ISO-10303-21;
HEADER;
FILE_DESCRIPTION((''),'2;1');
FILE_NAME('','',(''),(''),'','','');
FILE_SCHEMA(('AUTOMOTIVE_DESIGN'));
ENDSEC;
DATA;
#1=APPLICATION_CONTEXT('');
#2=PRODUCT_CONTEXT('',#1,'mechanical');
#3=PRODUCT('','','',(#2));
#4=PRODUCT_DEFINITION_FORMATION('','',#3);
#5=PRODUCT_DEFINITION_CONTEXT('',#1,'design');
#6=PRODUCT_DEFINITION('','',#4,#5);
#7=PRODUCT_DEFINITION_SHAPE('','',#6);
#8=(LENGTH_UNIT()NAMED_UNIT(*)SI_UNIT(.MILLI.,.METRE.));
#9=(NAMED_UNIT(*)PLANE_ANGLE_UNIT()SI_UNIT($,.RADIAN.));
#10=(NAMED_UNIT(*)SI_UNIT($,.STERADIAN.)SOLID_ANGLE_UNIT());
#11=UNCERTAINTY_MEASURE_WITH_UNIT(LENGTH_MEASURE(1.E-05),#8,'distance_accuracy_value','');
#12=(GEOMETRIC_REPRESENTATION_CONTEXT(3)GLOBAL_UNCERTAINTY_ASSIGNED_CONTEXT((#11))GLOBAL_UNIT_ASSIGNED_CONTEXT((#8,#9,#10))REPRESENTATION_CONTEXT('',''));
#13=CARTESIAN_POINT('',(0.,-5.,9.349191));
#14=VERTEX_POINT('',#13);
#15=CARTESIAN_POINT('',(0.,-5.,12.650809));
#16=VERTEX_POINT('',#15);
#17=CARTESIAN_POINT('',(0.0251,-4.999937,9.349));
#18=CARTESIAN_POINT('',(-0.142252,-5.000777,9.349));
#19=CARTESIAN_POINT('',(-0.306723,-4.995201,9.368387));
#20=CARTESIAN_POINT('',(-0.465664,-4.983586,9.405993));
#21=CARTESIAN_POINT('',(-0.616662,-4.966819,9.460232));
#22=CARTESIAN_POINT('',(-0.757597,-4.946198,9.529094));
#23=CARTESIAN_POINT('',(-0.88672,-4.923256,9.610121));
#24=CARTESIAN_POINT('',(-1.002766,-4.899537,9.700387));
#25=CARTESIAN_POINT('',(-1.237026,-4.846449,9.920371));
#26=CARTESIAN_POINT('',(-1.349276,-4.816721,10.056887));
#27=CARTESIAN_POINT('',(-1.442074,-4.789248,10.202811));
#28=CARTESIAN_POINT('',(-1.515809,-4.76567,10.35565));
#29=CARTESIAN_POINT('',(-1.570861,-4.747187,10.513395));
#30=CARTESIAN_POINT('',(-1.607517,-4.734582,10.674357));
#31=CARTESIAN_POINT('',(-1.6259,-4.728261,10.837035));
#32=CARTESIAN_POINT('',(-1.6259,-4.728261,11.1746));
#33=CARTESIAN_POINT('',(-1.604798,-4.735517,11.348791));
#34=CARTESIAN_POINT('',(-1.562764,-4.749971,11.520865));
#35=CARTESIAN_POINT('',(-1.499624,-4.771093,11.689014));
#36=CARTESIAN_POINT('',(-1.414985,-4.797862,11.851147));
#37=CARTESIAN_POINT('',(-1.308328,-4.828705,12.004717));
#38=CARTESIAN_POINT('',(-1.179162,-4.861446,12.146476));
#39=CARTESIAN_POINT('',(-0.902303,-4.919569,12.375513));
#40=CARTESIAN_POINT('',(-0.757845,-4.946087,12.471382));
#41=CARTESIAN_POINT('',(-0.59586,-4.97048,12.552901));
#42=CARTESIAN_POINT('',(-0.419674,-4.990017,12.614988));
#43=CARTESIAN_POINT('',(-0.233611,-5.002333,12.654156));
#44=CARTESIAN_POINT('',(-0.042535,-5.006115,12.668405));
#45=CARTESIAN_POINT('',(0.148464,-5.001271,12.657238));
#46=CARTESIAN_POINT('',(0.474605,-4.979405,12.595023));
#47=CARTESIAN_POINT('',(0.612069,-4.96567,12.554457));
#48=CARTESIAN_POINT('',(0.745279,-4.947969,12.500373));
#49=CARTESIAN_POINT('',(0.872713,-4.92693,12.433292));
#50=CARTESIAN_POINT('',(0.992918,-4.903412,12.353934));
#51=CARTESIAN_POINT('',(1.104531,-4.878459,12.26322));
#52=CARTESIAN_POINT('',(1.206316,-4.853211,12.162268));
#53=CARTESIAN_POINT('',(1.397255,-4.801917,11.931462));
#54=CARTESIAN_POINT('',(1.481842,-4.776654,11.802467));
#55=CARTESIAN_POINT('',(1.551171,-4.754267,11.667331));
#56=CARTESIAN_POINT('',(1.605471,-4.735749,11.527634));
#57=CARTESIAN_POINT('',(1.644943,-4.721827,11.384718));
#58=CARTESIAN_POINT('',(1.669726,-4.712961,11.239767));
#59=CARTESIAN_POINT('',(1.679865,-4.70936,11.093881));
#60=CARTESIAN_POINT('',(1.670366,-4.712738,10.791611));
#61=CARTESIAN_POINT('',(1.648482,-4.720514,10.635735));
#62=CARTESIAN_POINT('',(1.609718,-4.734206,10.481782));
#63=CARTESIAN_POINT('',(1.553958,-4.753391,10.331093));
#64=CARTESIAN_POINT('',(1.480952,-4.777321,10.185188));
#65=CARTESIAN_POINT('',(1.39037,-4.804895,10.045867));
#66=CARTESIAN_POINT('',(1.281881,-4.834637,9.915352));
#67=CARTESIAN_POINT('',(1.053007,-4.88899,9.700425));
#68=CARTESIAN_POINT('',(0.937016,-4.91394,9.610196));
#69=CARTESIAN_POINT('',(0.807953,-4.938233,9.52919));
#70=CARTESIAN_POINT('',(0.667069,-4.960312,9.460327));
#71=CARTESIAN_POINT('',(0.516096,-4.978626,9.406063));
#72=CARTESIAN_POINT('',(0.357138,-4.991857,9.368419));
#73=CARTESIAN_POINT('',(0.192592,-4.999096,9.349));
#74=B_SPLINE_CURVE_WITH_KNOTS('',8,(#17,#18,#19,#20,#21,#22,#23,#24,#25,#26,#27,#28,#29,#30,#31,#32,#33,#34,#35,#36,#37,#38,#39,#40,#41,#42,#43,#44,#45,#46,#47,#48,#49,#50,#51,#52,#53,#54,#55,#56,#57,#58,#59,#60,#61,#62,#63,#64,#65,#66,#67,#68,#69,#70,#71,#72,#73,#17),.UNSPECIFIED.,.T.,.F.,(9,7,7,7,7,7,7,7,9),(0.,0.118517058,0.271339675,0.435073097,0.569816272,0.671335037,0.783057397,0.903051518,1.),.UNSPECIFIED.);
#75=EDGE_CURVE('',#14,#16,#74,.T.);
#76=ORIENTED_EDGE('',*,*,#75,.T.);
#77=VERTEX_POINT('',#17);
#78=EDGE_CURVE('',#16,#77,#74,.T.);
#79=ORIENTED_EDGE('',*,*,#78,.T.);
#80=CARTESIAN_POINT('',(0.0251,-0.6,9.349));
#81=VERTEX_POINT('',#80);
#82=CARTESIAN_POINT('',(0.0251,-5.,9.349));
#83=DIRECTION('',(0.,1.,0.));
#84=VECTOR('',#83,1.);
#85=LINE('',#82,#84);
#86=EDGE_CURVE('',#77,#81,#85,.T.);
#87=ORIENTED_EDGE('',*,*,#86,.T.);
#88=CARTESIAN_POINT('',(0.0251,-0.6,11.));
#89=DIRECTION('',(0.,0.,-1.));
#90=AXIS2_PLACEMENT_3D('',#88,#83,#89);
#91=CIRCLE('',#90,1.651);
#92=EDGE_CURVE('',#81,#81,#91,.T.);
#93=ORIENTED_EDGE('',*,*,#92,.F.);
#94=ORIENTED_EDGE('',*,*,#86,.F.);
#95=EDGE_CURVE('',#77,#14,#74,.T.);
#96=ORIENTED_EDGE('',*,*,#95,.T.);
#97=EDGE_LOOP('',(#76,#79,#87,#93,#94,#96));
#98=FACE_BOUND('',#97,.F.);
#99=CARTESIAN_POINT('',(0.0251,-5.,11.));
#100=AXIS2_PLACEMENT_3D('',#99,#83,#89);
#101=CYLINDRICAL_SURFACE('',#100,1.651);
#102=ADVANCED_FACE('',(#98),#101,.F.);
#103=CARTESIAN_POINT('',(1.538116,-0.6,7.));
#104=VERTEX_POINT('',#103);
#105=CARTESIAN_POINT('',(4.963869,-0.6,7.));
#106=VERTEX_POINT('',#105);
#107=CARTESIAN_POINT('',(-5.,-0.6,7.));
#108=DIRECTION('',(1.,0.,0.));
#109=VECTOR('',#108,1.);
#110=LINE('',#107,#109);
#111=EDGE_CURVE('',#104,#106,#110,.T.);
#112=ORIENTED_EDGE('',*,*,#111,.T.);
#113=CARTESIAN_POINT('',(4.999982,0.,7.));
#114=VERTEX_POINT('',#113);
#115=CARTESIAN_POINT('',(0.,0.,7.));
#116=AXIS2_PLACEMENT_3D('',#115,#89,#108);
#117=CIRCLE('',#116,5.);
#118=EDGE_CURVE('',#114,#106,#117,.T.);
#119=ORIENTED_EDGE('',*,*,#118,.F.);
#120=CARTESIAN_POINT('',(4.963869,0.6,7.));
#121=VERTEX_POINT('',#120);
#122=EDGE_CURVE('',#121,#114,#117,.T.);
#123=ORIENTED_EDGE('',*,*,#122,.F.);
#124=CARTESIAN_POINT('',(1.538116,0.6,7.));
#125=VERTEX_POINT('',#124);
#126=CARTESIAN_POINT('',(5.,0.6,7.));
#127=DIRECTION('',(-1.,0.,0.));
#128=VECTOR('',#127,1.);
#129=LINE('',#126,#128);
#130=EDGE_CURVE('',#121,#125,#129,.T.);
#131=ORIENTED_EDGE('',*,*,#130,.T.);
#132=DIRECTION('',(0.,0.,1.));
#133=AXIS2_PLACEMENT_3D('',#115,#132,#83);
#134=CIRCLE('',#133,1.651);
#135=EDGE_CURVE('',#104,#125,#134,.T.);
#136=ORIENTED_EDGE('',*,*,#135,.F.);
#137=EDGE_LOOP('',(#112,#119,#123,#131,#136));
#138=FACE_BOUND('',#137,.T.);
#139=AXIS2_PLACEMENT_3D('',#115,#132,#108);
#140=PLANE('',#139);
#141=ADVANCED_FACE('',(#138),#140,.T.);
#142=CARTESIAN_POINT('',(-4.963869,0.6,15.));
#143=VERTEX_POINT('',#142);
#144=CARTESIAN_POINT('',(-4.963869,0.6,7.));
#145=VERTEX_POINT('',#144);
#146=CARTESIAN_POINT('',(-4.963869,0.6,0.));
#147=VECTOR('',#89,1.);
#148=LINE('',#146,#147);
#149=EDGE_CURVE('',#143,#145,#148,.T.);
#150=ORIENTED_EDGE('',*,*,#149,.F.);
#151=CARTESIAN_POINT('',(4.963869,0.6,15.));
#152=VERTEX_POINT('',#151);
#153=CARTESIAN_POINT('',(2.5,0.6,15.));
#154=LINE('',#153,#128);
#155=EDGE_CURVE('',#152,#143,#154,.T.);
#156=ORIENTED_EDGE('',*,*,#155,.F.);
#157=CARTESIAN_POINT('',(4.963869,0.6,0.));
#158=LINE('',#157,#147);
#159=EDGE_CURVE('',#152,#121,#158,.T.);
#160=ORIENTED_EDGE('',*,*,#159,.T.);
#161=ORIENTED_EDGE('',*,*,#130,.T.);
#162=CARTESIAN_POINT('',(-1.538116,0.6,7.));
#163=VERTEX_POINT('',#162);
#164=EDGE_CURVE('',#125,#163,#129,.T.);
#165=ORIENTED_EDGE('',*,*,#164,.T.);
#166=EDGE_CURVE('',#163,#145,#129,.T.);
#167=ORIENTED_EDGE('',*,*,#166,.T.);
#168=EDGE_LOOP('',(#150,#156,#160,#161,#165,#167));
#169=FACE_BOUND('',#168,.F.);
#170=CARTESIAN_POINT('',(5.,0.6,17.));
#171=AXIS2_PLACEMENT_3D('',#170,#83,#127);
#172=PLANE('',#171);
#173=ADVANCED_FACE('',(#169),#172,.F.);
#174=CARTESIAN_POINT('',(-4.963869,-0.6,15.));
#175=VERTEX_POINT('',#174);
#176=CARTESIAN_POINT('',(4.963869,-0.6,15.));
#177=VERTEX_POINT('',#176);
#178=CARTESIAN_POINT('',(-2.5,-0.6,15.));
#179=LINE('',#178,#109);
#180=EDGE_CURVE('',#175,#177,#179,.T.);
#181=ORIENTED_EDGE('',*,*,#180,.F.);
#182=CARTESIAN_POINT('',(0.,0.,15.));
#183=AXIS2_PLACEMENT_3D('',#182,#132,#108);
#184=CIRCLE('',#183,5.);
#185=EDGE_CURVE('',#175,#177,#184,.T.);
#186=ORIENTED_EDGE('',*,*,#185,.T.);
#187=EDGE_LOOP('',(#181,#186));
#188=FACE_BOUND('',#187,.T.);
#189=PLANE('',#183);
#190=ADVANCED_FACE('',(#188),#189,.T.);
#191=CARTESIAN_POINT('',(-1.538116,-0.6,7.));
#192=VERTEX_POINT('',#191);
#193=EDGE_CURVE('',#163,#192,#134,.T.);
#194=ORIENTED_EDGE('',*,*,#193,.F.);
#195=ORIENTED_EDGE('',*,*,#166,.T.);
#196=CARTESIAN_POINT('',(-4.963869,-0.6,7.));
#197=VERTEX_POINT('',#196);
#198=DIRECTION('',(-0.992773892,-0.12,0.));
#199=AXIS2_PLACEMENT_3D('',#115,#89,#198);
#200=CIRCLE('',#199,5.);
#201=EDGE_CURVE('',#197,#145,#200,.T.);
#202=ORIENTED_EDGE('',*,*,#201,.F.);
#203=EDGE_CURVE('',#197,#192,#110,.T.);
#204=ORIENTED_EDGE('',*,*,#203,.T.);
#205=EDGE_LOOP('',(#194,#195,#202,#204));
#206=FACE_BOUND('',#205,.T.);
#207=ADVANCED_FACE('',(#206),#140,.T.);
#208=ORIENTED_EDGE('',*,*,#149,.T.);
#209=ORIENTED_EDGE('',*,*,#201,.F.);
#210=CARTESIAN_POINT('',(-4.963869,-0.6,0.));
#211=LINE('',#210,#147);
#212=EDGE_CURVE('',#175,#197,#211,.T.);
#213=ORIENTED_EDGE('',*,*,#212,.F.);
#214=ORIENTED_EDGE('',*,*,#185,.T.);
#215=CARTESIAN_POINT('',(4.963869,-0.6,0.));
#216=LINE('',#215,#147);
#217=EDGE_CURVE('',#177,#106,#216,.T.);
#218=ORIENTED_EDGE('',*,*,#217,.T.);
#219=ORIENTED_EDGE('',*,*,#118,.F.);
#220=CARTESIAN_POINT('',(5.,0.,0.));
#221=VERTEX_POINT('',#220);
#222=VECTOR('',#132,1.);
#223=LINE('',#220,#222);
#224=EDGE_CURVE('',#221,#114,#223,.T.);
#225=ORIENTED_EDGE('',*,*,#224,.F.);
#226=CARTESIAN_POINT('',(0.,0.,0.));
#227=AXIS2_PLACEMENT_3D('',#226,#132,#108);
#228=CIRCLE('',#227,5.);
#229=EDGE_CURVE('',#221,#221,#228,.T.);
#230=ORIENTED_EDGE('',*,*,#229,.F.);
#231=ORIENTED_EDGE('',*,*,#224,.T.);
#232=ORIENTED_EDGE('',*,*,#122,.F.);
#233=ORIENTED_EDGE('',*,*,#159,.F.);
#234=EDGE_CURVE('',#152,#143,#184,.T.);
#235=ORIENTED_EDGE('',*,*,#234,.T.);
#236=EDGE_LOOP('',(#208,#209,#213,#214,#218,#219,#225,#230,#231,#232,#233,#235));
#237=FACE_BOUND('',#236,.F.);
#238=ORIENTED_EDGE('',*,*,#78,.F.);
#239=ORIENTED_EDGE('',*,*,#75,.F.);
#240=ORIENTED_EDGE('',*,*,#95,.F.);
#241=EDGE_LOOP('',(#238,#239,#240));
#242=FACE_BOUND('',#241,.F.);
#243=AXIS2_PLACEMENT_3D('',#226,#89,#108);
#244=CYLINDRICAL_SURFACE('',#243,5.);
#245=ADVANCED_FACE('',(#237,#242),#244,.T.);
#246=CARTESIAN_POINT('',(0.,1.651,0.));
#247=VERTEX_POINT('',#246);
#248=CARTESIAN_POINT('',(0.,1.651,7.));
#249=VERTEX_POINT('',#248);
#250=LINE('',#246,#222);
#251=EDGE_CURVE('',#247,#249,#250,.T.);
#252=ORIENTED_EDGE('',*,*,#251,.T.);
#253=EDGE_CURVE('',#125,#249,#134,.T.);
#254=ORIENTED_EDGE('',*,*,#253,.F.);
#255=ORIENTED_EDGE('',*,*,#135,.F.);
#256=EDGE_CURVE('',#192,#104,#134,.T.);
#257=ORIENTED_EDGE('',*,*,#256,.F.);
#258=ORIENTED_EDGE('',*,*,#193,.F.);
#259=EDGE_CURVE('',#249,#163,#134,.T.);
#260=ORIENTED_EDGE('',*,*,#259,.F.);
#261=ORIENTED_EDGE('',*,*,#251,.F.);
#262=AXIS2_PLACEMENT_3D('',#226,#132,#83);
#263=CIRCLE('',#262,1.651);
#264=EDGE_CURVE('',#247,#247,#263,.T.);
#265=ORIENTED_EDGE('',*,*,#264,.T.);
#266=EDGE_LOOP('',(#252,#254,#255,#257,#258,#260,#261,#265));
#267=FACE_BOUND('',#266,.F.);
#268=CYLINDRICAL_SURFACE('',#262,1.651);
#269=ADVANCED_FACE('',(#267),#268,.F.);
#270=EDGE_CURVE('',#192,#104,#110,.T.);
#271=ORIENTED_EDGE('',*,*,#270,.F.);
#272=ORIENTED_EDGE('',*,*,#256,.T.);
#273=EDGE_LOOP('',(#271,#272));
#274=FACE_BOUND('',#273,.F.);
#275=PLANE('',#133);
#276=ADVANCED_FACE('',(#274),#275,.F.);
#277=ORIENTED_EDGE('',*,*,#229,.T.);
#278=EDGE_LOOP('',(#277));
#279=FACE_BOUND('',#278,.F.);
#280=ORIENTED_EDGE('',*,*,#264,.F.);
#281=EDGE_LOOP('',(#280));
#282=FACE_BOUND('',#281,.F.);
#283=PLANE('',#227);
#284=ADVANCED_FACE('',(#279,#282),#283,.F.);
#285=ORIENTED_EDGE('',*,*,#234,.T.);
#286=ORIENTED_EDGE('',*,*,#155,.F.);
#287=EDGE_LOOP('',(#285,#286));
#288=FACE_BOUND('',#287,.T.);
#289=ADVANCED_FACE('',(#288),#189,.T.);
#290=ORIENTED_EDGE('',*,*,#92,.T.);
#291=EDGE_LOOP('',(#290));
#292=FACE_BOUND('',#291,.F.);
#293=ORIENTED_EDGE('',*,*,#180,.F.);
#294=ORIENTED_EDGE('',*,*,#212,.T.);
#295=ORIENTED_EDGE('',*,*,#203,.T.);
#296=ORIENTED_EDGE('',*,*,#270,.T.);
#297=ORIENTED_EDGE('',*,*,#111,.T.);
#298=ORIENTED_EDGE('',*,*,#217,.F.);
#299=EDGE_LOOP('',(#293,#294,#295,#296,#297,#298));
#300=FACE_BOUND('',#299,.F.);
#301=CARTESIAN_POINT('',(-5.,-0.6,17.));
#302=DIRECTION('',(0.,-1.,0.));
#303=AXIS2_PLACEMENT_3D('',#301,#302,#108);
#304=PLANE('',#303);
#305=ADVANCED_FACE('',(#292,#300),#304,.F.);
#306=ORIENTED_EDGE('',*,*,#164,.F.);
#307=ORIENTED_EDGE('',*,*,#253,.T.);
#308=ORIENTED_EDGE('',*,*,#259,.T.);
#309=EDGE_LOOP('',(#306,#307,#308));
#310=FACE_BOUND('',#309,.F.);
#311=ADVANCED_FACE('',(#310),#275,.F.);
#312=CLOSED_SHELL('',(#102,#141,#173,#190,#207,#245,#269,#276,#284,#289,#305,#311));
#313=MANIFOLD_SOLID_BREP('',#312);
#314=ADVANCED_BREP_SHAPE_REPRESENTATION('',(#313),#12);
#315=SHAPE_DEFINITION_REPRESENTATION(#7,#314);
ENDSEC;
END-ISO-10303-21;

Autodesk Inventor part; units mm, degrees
ref_plane "YZ Plane" through (0, 0, 0) normal (1, 0, 0) x (0, 1, 0)
ref_plane "XZ Plane" through (0, 0, 0) normal (0, 1, 0) x (-1, 0, 0)
ref_plane "XY Plane" through (0, 0, 0) normal (0, 0, 1) x (1, 0, 0)
sketch "Sketch1" plane through (0, 0, 0) normal (0, 0, 1) x (1, 0, 0)
  circle A0 centre (0, 0) radius 5
  dimension "d0" = 10
extrude "Extrusion1" add sketch "Sketch1" along normal blind 15
sketch "Sketch2" plane through (0, 0, 15) normal (0, 0, 1) x (1, 0, 0)
  line L0 (-4.9749, -0.5) -> (4.9749, -0.5)
  line L1 (4.9749, -0.5) -> (4.9749, 0.5)
  line L2 (4.9749, 0.5) -> (-4.9749, 0.5)
  line L3 (-4.9749, 0.5) -> (-4.9749, -0.5)
  circle A0 centre (0, 0) radius 5 projected
  dimension "d3" = 1
sketch "Sketch3" plane through (0, 0, 0) normal (0, 0, -1) x (-1, 0, 0)
  circle A0 centre (0, 0) radius 1.4142
hole "Hole1" at (0, 0, 0) direction (0, 0, 1) diameter 3.302 depth 7 thread size "8-32 UNC" class "2B" standard "ANSI Unified Screw Threads"
extrude "Extrusion2" add sketch "Sketch2" along normal blind 2 contours L3 L2 L1 L0
ref_plane "Work Plane1" through (-4.9749, 5, 15) normal (0, 1, 0) x (1, 0, 0)
ref_plane "Work Plane2" through (-4.9749, -5, 15) normal (0, -1, 0) x (1, 0, 0)
sketch "Sketch5" plane through (-4.9749, -5, 15) normal (0, -1, 0) x (1, 0, 0)
  circle A0 centre (5, -4) radius 1.0003
  line L0 (9.9499, 0) -> (0, 0) projected
  point P0 (4.9749, -15)
  dimension "d16" = 4
hole "Hole2" at (0.0251, -5, 11) direction (0, 1, 0) diameter 3.302 depth 4.5 thread size "8-32 UNC" class "2B" standard "ANSI Unified Screw Threads"
sketch "Sketch6" plane through (0, 0, 15) normal (0, 0, 1) x (1, 0, 0)
  arc A0 (-4.9749, 0.5) -> (-4.9749, -0.5) centre (0, 0) ccw projected
  line L0 (4.9749, 0.5) -> (4.9749, -0.5) projected
  line L1 (-4.9749, -0.5) -> (4.9749, -0.5)
  line L2 (4.9749, -0.5) -> (4.9749, 0.5)
  line L3 (4.9749, 0.5) -> (-4.9749, 0.5)
  line L4 (-4.9749, 0.5) -> (-4.9749, -0.5)
extrude "Extrusion3" add sketch "Sketch6" against normal blind 2 contours L3 L0 L1 L4
sketch "Sketch7" plane through (0, 0, 17) normal (0, 0, 1) x (1, 0, 0)
  line L0 (5, 0.6) -> (-5, 0.6)
  line L1 (-5, 0.6) -> (-5, -0.6)
  line L2 (-5, -0.6) -> (5, -0.6)
  line L3 (5, -0.6) -> (5, 0.6)
  arc A0 (4.9749, -0.5) -> (4.9749, 0.5) centre (0, 0) ccw projected
  arc A1 (-4.9749, 0.5) -> (-4.9749, -0.5) centre (0, 0) ccw projected
  dimension "d35" = 1.2
  dimension "d36" = 0.6
extrude "Extrusion4" cut sketch "Sketch7" against normal blind 10
properties part number "slit-adapter-clear-scope_8_2018"
